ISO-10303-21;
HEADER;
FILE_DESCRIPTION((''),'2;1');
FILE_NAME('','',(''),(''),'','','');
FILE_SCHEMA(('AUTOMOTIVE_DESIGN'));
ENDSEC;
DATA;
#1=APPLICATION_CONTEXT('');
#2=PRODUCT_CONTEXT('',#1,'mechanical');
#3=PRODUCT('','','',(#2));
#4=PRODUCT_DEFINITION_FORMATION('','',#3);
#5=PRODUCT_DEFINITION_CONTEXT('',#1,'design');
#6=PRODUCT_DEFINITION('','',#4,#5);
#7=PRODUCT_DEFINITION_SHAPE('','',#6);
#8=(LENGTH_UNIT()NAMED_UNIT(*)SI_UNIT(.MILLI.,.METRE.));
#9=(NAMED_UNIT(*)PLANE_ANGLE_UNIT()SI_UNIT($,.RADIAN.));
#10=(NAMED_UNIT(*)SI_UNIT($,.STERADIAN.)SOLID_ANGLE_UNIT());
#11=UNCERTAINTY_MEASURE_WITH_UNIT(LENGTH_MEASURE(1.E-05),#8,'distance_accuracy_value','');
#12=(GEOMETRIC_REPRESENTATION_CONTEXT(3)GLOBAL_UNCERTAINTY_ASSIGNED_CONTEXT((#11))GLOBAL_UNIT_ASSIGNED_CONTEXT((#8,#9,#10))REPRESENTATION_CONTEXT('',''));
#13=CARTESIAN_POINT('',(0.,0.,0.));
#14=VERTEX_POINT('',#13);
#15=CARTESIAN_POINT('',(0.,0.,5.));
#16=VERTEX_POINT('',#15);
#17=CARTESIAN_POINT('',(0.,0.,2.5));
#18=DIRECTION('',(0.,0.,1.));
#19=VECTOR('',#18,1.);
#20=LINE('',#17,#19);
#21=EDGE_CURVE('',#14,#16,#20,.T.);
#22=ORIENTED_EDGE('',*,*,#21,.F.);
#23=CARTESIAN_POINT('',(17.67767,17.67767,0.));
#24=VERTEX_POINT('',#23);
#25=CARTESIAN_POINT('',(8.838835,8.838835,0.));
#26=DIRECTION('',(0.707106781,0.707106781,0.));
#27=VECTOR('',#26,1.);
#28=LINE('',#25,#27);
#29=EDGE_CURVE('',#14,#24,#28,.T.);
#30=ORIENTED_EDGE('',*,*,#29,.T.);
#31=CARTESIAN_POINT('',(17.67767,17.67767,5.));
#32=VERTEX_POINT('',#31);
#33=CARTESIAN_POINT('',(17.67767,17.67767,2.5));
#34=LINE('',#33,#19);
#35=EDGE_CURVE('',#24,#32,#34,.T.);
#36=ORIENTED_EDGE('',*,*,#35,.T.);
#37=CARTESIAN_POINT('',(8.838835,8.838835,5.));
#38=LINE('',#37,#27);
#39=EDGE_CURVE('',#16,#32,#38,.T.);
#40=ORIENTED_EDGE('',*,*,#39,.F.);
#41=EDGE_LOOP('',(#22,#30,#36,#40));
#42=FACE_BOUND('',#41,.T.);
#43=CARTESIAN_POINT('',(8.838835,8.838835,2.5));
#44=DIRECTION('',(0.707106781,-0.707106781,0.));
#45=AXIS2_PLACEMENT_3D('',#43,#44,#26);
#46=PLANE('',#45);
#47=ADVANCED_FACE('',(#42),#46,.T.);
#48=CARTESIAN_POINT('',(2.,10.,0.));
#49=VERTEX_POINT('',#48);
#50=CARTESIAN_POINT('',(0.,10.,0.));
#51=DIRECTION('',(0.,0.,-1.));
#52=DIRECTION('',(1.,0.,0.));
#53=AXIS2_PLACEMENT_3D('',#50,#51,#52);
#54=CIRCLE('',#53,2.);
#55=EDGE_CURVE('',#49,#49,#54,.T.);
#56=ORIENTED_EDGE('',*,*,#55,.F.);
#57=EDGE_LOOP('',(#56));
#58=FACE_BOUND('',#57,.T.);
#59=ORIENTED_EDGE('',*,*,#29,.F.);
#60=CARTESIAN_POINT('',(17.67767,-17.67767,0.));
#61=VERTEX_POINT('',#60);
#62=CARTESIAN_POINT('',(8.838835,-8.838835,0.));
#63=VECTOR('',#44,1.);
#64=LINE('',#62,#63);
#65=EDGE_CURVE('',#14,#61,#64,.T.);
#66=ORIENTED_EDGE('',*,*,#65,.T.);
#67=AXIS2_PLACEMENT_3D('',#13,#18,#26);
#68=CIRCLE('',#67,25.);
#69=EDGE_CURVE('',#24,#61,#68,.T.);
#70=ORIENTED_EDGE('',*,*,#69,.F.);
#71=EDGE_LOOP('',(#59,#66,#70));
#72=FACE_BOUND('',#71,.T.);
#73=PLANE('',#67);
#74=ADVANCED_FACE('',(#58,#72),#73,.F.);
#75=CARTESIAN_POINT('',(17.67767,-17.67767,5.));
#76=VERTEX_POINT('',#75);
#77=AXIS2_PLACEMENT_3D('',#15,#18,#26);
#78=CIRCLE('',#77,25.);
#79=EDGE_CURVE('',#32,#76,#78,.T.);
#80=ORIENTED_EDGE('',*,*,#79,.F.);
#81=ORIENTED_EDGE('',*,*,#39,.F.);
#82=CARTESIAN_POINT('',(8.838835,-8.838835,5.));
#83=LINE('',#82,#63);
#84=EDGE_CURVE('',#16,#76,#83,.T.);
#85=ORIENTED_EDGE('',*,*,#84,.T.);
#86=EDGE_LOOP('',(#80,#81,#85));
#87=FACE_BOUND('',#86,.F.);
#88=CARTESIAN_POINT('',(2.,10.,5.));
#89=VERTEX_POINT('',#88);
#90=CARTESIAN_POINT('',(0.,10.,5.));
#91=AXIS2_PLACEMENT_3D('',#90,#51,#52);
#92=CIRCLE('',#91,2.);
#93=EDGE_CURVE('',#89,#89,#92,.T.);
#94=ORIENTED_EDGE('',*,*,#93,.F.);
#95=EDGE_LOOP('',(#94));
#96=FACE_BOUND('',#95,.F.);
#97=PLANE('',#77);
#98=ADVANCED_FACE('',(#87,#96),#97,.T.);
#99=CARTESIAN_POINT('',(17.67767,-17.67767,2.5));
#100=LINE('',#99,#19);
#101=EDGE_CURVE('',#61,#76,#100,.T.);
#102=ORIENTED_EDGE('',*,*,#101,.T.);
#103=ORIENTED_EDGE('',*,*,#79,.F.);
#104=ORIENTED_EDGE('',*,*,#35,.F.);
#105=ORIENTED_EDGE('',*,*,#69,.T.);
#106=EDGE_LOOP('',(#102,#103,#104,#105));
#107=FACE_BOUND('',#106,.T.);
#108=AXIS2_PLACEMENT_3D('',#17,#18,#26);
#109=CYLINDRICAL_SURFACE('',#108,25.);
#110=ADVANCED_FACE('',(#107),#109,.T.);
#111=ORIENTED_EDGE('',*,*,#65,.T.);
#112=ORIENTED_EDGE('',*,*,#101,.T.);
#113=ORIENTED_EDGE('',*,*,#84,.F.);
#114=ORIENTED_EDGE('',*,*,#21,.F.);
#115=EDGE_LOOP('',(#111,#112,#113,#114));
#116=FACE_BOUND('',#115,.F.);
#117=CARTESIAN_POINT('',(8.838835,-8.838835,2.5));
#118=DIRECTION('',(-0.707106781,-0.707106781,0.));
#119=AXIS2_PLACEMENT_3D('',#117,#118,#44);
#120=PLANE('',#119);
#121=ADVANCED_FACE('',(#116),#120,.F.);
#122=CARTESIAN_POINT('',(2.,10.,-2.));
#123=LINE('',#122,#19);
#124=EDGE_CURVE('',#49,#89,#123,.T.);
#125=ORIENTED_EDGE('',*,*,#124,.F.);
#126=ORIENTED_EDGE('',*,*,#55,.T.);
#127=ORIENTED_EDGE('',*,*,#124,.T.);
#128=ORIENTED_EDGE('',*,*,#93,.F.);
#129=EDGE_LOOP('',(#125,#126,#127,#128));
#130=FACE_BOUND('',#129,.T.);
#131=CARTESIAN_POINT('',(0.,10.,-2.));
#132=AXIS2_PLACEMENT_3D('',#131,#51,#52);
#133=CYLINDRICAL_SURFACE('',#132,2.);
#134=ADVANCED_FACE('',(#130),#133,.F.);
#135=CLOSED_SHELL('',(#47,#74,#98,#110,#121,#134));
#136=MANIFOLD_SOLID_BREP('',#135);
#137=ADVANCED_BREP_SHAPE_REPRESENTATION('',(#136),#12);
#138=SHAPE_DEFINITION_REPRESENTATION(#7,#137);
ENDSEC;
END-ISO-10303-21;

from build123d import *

# Parameters (mm, degrees)
CYLINDER001_R            = 2
CYLINDER001_DEPTH        = 10
CYLINDER_W               = 25
CYLINDER_H               = 5
CYLINDER_ANGLE           = 270
CYLINDER_PLACEMENT_ANGLE = 45


with BuildPart() as cilindre001:
    # Cylinder001 → Cylinder001 (new body)
    with BuildSketch(Plane(origin=(0, 10, -2), x_dir=(1, 0, 0), z_dir=(0, 0, 1))):
        Circle(CYLINDER001_R)
    extrude(amount=CYLINDER001_DEPTH)


with BuildPart() as cut:
    # Cylinder → Cylinder (revolve)
    with BuildSketch(Plane.XZ):
        with Locations((12.5, 2.5)):
            Rectangle(CYLINDER_W, CYLINDER_H)
    revolve(axis=Axis((0, 0, 0), (0, 0, 1)), revolution_arc=CYLINDER_ANGLE)


with BuildPart() as cut_1:
    # Cylinder placement: moved
    add(cut.part.rotate(Axis((0, 0, 0), (0, 0, 1)), CYLINDER_PLACEMENT_ANGLE))

    # Cut: cut Cilindre001
    add(cilindre001.part, mode=Mode.SUBTRACT)


solid = cut_1.part
